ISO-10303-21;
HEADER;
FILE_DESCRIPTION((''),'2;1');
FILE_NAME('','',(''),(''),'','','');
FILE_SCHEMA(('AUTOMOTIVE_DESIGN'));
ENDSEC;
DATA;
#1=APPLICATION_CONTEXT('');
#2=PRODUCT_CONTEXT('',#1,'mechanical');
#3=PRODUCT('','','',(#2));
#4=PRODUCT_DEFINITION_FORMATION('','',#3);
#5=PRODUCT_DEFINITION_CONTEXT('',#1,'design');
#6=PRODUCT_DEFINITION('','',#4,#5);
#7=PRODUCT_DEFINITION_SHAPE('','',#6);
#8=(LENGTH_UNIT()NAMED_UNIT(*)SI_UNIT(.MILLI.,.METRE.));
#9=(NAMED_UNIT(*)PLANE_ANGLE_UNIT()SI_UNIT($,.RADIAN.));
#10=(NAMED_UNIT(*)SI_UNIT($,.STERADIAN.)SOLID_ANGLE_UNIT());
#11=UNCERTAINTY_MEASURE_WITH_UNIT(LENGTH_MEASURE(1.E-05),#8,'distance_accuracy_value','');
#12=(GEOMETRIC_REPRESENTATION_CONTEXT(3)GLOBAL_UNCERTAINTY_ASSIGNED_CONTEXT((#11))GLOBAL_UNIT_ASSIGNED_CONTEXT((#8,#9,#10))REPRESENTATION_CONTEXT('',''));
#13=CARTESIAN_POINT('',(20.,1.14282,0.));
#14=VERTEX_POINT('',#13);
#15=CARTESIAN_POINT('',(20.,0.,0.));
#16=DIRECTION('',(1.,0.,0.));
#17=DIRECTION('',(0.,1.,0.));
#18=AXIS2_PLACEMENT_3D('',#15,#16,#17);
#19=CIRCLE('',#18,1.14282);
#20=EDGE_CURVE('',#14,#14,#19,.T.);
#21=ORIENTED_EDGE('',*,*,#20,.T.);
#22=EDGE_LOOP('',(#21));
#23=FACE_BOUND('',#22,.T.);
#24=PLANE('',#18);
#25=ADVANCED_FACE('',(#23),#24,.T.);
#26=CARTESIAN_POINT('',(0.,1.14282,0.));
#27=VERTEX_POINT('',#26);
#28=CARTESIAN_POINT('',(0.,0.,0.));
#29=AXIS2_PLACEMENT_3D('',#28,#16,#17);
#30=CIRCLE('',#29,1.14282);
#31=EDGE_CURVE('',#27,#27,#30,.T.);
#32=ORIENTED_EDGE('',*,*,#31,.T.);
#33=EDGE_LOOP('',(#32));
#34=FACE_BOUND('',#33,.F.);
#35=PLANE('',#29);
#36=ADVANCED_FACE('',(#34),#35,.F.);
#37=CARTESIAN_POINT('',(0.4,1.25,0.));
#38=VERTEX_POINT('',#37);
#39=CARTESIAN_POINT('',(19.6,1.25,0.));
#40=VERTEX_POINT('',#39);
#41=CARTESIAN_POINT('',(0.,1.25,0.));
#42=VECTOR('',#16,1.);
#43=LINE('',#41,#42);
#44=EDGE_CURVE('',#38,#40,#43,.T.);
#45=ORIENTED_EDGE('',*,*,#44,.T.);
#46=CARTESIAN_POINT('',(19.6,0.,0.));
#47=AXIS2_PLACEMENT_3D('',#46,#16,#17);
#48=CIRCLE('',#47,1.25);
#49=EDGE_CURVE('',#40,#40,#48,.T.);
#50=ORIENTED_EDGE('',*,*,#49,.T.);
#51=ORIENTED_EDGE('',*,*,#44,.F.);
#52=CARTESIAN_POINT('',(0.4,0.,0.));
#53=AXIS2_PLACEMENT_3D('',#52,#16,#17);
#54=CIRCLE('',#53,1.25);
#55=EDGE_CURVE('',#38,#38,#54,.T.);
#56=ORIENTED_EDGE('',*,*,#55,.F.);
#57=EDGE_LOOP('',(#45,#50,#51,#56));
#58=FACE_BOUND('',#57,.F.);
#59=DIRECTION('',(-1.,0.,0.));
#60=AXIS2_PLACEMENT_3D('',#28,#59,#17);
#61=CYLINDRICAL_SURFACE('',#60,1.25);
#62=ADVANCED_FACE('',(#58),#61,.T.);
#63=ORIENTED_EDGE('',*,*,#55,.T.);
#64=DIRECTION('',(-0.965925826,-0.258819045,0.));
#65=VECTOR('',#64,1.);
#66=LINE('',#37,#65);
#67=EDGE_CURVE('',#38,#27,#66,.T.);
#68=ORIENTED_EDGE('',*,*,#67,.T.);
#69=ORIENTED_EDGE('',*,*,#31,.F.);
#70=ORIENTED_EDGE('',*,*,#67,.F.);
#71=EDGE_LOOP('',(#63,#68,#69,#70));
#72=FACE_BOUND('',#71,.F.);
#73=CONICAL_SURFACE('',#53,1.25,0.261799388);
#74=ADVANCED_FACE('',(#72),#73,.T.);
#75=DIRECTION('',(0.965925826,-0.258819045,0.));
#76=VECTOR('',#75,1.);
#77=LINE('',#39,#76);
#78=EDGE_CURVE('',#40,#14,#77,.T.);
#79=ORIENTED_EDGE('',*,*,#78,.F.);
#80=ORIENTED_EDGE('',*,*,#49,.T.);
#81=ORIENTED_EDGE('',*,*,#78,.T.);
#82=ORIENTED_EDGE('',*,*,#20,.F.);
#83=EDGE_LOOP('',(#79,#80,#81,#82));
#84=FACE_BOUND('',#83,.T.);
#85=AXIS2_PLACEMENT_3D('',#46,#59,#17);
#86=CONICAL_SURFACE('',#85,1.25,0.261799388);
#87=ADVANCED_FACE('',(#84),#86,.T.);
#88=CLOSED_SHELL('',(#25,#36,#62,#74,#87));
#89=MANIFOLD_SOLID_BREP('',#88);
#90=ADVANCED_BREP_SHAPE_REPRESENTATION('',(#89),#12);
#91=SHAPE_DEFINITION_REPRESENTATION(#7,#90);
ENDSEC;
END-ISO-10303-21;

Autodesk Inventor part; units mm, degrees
ref_plane "YZ Plane" through (0, 0, 0) normal (1, 0, 0) x (0, 1, 0)
ref_plane "XZ Plane" through (0, 0, 0) normal (0, 1, 0) x (-1, 0, 0)
ref_plane "XY Plane" through (0, 0, 0) normal (0, 0, 1) x (1, 0, 0)
sketch "Skizze" plane through (0, 0, 0) normal (1, 0, 0) x (0, 1, 0)
  circle A0 centre (0, 0) radius 1.25
  dimension "d1" = 2.5
extrude "Körper" add sketch "Skizze" along normal blind 20
chamfer "Fase1" distance 0.4 angle 15 1 edges at (0, -1.25, 0) measured on face at (13.3333, 1.2338, -0.2005)
chamfer "Fase2" distance 0.4 angle 15 1 edges at (20, -1.25, 0) measured on face at (13.4667, 1.2459, -0.1006)
equation "\"d1\" = NND"
equation "\"d2\" = NLG"
equation "\"d4\" = PHH"
equation "\"d5\" = FAWI"
equation "\"d11\" = PHH"
equation "\"d8\" = PHH"
equation "\"d9\" = FAWI"
equation "\"d12\" = PHH"
equation "\"NND\" = 2.5"
equation "\"NLG\" = 20"
equation "\"PHH\" = 0.4"
equation "\"FAWI\" = 15deg"
equation "\"KAH\" = 0"
properties part number "ISO 2338 - 2,5 m6 x 20" material "Edelstahl, austenitisch"
